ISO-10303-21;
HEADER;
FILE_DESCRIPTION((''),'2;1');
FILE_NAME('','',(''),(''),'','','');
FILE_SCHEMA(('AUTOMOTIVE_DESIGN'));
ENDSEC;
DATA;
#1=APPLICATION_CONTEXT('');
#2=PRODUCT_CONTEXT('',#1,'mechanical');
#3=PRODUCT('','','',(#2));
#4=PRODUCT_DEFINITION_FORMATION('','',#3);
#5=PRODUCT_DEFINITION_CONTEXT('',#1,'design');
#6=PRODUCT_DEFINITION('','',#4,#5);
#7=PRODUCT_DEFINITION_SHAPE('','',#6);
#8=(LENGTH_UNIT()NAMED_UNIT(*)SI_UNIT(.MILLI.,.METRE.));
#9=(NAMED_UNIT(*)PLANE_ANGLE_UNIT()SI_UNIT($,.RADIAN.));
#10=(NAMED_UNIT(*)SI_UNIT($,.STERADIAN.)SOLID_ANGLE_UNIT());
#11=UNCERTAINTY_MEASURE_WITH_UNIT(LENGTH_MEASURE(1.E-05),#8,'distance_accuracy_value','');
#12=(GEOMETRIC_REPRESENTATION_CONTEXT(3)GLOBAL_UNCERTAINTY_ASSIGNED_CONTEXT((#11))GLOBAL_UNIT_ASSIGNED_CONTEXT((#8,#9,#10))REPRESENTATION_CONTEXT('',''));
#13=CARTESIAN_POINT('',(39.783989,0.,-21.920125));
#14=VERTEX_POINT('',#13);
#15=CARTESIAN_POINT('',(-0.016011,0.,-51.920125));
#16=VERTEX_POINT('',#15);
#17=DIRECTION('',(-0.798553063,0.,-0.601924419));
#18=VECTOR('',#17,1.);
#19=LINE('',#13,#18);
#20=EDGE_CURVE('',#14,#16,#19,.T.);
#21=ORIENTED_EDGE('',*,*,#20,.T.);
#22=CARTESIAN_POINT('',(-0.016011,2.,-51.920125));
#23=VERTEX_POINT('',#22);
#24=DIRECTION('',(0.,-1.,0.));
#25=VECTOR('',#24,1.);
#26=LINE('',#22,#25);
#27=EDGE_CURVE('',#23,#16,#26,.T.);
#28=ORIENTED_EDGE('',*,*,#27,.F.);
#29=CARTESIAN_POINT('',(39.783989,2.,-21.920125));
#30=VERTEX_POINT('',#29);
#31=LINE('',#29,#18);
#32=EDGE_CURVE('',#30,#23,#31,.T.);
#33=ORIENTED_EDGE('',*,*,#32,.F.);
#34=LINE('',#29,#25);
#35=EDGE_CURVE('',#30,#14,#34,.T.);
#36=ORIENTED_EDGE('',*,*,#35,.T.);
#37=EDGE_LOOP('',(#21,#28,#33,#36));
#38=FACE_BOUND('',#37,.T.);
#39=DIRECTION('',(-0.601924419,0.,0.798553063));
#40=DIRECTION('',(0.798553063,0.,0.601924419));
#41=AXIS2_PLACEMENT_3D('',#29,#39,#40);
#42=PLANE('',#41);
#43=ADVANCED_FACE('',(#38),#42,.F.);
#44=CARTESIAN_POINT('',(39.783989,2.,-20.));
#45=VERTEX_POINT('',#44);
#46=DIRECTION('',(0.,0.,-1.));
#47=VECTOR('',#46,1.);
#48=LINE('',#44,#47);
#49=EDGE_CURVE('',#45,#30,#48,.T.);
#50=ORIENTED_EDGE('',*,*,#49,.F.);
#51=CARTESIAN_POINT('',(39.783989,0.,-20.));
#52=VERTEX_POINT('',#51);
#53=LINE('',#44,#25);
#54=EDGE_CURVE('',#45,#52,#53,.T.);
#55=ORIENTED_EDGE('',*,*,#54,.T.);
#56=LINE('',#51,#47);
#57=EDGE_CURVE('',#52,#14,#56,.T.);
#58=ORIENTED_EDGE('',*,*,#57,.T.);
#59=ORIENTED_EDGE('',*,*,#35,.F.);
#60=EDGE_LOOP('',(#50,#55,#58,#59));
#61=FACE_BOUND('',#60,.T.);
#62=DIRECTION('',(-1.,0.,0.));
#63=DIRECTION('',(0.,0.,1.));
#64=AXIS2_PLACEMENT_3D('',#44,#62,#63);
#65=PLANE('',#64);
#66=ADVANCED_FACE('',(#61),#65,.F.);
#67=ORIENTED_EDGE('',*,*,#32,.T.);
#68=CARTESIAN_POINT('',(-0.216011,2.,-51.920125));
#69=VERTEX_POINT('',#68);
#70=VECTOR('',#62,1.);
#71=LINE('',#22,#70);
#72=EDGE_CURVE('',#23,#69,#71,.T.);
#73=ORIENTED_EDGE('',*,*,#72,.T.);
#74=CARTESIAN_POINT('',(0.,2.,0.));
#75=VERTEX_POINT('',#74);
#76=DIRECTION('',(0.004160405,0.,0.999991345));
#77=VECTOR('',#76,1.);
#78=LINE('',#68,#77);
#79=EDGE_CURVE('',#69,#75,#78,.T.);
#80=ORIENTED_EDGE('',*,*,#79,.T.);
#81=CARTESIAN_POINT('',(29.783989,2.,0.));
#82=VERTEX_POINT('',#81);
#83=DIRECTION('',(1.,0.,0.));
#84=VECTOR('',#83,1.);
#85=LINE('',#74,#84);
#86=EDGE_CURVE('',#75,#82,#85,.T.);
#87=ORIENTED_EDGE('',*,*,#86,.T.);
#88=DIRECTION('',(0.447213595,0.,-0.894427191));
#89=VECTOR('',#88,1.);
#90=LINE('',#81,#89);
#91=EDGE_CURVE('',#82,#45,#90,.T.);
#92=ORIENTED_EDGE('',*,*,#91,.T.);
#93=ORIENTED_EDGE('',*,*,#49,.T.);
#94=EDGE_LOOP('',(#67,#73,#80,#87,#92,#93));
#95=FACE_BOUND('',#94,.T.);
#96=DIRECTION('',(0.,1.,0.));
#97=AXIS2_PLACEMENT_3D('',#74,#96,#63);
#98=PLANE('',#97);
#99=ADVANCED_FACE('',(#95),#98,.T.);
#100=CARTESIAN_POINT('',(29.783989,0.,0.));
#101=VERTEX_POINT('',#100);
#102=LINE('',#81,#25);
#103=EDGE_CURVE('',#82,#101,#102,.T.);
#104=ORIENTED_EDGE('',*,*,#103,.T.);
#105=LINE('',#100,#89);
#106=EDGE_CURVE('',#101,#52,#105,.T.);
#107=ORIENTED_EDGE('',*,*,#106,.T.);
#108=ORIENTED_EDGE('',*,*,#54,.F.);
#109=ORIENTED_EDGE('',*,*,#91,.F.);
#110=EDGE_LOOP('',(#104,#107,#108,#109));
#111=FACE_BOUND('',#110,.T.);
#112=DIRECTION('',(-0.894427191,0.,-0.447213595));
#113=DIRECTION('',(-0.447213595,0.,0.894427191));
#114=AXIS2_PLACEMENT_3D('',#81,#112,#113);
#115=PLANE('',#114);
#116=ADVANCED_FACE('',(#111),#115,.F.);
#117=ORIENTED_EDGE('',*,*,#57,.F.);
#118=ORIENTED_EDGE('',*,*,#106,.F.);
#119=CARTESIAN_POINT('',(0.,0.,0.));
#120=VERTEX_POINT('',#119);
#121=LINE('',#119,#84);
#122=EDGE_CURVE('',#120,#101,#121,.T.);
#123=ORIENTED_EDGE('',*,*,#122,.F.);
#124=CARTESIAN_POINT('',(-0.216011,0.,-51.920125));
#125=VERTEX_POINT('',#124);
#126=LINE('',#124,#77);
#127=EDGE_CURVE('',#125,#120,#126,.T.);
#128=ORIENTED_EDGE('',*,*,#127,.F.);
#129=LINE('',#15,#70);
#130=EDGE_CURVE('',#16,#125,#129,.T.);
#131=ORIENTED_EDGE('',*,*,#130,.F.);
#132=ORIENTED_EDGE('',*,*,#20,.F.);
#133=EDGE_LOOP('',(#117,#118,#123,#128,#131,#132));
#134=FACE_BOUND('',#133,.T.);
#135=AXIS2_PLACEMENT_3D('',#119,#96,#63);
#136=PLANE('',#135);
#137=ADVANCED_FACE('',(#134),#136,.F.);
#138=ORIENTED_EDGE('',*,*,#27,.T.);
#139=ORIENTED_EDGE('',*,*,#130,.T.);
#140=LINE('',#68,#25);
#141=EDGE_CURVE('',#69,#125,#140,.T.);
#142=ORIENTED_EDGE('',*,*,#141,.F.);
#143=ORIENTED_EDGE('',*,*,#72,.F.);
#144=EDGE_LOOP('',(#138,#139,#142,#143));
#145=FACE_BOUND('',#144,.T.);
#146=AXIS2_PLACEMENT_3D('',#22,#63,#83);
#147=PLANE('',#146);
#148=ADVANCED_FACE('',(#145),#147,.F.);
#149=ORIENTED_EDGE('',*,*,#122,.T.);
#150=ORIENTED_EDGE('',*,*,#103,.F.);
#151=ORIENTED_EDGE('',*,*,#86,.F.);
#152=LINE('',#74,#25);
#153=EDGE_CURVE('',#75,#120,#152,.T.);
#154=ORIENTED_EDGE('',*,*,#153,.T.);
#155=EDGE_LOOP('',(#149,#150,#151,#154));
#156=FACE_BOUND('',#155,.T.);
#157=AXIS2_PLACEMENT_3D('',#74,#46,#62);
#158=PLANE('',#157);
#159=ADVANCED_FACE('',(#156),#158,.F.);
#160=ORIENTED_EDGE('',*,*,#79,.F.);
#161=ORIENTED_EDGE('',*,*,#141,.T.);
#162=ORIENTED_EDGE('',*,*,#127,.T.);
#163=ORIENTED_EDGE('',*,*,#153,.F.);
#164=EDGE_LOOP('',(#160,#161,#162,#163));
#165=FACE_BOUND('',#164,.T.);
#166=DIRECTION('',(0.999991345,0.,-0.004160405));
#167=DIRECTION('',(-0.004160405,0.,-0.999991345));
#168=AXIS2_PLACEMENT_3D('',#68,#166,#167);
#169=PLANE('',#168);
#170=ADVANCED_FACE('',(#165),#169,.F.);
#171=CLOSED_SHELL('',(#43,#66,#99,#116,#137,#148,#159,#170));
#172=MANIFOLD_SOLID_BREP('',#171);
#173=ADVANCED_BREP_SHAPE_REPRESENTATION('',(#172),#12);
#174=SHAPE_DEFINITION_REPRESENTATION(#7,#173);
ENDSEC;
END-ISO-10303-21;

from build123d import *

# Parameters (mm, degrees)
BOSS_EXTRU_1_DEPTH = 2


with BuildPart() as part:
    # Esquisse1 → Boss.-Extru.1 (new body)
    with BuildSketch(Plane(origin=(0, 0, 0), x_dir=(1, 0, 0), z_dir=(0, 1, 0))):
        Polygon((39.783989371, 20), (39.783989371, 21.920125259), (-0.016010629, 51.920125259), (-0.216010629, 51.920125259), (0, 0), (29.783989371, 0), align=None)
    extrude(amount=BOSS_EXTRU_1_DEPTH)


solid = part.part
